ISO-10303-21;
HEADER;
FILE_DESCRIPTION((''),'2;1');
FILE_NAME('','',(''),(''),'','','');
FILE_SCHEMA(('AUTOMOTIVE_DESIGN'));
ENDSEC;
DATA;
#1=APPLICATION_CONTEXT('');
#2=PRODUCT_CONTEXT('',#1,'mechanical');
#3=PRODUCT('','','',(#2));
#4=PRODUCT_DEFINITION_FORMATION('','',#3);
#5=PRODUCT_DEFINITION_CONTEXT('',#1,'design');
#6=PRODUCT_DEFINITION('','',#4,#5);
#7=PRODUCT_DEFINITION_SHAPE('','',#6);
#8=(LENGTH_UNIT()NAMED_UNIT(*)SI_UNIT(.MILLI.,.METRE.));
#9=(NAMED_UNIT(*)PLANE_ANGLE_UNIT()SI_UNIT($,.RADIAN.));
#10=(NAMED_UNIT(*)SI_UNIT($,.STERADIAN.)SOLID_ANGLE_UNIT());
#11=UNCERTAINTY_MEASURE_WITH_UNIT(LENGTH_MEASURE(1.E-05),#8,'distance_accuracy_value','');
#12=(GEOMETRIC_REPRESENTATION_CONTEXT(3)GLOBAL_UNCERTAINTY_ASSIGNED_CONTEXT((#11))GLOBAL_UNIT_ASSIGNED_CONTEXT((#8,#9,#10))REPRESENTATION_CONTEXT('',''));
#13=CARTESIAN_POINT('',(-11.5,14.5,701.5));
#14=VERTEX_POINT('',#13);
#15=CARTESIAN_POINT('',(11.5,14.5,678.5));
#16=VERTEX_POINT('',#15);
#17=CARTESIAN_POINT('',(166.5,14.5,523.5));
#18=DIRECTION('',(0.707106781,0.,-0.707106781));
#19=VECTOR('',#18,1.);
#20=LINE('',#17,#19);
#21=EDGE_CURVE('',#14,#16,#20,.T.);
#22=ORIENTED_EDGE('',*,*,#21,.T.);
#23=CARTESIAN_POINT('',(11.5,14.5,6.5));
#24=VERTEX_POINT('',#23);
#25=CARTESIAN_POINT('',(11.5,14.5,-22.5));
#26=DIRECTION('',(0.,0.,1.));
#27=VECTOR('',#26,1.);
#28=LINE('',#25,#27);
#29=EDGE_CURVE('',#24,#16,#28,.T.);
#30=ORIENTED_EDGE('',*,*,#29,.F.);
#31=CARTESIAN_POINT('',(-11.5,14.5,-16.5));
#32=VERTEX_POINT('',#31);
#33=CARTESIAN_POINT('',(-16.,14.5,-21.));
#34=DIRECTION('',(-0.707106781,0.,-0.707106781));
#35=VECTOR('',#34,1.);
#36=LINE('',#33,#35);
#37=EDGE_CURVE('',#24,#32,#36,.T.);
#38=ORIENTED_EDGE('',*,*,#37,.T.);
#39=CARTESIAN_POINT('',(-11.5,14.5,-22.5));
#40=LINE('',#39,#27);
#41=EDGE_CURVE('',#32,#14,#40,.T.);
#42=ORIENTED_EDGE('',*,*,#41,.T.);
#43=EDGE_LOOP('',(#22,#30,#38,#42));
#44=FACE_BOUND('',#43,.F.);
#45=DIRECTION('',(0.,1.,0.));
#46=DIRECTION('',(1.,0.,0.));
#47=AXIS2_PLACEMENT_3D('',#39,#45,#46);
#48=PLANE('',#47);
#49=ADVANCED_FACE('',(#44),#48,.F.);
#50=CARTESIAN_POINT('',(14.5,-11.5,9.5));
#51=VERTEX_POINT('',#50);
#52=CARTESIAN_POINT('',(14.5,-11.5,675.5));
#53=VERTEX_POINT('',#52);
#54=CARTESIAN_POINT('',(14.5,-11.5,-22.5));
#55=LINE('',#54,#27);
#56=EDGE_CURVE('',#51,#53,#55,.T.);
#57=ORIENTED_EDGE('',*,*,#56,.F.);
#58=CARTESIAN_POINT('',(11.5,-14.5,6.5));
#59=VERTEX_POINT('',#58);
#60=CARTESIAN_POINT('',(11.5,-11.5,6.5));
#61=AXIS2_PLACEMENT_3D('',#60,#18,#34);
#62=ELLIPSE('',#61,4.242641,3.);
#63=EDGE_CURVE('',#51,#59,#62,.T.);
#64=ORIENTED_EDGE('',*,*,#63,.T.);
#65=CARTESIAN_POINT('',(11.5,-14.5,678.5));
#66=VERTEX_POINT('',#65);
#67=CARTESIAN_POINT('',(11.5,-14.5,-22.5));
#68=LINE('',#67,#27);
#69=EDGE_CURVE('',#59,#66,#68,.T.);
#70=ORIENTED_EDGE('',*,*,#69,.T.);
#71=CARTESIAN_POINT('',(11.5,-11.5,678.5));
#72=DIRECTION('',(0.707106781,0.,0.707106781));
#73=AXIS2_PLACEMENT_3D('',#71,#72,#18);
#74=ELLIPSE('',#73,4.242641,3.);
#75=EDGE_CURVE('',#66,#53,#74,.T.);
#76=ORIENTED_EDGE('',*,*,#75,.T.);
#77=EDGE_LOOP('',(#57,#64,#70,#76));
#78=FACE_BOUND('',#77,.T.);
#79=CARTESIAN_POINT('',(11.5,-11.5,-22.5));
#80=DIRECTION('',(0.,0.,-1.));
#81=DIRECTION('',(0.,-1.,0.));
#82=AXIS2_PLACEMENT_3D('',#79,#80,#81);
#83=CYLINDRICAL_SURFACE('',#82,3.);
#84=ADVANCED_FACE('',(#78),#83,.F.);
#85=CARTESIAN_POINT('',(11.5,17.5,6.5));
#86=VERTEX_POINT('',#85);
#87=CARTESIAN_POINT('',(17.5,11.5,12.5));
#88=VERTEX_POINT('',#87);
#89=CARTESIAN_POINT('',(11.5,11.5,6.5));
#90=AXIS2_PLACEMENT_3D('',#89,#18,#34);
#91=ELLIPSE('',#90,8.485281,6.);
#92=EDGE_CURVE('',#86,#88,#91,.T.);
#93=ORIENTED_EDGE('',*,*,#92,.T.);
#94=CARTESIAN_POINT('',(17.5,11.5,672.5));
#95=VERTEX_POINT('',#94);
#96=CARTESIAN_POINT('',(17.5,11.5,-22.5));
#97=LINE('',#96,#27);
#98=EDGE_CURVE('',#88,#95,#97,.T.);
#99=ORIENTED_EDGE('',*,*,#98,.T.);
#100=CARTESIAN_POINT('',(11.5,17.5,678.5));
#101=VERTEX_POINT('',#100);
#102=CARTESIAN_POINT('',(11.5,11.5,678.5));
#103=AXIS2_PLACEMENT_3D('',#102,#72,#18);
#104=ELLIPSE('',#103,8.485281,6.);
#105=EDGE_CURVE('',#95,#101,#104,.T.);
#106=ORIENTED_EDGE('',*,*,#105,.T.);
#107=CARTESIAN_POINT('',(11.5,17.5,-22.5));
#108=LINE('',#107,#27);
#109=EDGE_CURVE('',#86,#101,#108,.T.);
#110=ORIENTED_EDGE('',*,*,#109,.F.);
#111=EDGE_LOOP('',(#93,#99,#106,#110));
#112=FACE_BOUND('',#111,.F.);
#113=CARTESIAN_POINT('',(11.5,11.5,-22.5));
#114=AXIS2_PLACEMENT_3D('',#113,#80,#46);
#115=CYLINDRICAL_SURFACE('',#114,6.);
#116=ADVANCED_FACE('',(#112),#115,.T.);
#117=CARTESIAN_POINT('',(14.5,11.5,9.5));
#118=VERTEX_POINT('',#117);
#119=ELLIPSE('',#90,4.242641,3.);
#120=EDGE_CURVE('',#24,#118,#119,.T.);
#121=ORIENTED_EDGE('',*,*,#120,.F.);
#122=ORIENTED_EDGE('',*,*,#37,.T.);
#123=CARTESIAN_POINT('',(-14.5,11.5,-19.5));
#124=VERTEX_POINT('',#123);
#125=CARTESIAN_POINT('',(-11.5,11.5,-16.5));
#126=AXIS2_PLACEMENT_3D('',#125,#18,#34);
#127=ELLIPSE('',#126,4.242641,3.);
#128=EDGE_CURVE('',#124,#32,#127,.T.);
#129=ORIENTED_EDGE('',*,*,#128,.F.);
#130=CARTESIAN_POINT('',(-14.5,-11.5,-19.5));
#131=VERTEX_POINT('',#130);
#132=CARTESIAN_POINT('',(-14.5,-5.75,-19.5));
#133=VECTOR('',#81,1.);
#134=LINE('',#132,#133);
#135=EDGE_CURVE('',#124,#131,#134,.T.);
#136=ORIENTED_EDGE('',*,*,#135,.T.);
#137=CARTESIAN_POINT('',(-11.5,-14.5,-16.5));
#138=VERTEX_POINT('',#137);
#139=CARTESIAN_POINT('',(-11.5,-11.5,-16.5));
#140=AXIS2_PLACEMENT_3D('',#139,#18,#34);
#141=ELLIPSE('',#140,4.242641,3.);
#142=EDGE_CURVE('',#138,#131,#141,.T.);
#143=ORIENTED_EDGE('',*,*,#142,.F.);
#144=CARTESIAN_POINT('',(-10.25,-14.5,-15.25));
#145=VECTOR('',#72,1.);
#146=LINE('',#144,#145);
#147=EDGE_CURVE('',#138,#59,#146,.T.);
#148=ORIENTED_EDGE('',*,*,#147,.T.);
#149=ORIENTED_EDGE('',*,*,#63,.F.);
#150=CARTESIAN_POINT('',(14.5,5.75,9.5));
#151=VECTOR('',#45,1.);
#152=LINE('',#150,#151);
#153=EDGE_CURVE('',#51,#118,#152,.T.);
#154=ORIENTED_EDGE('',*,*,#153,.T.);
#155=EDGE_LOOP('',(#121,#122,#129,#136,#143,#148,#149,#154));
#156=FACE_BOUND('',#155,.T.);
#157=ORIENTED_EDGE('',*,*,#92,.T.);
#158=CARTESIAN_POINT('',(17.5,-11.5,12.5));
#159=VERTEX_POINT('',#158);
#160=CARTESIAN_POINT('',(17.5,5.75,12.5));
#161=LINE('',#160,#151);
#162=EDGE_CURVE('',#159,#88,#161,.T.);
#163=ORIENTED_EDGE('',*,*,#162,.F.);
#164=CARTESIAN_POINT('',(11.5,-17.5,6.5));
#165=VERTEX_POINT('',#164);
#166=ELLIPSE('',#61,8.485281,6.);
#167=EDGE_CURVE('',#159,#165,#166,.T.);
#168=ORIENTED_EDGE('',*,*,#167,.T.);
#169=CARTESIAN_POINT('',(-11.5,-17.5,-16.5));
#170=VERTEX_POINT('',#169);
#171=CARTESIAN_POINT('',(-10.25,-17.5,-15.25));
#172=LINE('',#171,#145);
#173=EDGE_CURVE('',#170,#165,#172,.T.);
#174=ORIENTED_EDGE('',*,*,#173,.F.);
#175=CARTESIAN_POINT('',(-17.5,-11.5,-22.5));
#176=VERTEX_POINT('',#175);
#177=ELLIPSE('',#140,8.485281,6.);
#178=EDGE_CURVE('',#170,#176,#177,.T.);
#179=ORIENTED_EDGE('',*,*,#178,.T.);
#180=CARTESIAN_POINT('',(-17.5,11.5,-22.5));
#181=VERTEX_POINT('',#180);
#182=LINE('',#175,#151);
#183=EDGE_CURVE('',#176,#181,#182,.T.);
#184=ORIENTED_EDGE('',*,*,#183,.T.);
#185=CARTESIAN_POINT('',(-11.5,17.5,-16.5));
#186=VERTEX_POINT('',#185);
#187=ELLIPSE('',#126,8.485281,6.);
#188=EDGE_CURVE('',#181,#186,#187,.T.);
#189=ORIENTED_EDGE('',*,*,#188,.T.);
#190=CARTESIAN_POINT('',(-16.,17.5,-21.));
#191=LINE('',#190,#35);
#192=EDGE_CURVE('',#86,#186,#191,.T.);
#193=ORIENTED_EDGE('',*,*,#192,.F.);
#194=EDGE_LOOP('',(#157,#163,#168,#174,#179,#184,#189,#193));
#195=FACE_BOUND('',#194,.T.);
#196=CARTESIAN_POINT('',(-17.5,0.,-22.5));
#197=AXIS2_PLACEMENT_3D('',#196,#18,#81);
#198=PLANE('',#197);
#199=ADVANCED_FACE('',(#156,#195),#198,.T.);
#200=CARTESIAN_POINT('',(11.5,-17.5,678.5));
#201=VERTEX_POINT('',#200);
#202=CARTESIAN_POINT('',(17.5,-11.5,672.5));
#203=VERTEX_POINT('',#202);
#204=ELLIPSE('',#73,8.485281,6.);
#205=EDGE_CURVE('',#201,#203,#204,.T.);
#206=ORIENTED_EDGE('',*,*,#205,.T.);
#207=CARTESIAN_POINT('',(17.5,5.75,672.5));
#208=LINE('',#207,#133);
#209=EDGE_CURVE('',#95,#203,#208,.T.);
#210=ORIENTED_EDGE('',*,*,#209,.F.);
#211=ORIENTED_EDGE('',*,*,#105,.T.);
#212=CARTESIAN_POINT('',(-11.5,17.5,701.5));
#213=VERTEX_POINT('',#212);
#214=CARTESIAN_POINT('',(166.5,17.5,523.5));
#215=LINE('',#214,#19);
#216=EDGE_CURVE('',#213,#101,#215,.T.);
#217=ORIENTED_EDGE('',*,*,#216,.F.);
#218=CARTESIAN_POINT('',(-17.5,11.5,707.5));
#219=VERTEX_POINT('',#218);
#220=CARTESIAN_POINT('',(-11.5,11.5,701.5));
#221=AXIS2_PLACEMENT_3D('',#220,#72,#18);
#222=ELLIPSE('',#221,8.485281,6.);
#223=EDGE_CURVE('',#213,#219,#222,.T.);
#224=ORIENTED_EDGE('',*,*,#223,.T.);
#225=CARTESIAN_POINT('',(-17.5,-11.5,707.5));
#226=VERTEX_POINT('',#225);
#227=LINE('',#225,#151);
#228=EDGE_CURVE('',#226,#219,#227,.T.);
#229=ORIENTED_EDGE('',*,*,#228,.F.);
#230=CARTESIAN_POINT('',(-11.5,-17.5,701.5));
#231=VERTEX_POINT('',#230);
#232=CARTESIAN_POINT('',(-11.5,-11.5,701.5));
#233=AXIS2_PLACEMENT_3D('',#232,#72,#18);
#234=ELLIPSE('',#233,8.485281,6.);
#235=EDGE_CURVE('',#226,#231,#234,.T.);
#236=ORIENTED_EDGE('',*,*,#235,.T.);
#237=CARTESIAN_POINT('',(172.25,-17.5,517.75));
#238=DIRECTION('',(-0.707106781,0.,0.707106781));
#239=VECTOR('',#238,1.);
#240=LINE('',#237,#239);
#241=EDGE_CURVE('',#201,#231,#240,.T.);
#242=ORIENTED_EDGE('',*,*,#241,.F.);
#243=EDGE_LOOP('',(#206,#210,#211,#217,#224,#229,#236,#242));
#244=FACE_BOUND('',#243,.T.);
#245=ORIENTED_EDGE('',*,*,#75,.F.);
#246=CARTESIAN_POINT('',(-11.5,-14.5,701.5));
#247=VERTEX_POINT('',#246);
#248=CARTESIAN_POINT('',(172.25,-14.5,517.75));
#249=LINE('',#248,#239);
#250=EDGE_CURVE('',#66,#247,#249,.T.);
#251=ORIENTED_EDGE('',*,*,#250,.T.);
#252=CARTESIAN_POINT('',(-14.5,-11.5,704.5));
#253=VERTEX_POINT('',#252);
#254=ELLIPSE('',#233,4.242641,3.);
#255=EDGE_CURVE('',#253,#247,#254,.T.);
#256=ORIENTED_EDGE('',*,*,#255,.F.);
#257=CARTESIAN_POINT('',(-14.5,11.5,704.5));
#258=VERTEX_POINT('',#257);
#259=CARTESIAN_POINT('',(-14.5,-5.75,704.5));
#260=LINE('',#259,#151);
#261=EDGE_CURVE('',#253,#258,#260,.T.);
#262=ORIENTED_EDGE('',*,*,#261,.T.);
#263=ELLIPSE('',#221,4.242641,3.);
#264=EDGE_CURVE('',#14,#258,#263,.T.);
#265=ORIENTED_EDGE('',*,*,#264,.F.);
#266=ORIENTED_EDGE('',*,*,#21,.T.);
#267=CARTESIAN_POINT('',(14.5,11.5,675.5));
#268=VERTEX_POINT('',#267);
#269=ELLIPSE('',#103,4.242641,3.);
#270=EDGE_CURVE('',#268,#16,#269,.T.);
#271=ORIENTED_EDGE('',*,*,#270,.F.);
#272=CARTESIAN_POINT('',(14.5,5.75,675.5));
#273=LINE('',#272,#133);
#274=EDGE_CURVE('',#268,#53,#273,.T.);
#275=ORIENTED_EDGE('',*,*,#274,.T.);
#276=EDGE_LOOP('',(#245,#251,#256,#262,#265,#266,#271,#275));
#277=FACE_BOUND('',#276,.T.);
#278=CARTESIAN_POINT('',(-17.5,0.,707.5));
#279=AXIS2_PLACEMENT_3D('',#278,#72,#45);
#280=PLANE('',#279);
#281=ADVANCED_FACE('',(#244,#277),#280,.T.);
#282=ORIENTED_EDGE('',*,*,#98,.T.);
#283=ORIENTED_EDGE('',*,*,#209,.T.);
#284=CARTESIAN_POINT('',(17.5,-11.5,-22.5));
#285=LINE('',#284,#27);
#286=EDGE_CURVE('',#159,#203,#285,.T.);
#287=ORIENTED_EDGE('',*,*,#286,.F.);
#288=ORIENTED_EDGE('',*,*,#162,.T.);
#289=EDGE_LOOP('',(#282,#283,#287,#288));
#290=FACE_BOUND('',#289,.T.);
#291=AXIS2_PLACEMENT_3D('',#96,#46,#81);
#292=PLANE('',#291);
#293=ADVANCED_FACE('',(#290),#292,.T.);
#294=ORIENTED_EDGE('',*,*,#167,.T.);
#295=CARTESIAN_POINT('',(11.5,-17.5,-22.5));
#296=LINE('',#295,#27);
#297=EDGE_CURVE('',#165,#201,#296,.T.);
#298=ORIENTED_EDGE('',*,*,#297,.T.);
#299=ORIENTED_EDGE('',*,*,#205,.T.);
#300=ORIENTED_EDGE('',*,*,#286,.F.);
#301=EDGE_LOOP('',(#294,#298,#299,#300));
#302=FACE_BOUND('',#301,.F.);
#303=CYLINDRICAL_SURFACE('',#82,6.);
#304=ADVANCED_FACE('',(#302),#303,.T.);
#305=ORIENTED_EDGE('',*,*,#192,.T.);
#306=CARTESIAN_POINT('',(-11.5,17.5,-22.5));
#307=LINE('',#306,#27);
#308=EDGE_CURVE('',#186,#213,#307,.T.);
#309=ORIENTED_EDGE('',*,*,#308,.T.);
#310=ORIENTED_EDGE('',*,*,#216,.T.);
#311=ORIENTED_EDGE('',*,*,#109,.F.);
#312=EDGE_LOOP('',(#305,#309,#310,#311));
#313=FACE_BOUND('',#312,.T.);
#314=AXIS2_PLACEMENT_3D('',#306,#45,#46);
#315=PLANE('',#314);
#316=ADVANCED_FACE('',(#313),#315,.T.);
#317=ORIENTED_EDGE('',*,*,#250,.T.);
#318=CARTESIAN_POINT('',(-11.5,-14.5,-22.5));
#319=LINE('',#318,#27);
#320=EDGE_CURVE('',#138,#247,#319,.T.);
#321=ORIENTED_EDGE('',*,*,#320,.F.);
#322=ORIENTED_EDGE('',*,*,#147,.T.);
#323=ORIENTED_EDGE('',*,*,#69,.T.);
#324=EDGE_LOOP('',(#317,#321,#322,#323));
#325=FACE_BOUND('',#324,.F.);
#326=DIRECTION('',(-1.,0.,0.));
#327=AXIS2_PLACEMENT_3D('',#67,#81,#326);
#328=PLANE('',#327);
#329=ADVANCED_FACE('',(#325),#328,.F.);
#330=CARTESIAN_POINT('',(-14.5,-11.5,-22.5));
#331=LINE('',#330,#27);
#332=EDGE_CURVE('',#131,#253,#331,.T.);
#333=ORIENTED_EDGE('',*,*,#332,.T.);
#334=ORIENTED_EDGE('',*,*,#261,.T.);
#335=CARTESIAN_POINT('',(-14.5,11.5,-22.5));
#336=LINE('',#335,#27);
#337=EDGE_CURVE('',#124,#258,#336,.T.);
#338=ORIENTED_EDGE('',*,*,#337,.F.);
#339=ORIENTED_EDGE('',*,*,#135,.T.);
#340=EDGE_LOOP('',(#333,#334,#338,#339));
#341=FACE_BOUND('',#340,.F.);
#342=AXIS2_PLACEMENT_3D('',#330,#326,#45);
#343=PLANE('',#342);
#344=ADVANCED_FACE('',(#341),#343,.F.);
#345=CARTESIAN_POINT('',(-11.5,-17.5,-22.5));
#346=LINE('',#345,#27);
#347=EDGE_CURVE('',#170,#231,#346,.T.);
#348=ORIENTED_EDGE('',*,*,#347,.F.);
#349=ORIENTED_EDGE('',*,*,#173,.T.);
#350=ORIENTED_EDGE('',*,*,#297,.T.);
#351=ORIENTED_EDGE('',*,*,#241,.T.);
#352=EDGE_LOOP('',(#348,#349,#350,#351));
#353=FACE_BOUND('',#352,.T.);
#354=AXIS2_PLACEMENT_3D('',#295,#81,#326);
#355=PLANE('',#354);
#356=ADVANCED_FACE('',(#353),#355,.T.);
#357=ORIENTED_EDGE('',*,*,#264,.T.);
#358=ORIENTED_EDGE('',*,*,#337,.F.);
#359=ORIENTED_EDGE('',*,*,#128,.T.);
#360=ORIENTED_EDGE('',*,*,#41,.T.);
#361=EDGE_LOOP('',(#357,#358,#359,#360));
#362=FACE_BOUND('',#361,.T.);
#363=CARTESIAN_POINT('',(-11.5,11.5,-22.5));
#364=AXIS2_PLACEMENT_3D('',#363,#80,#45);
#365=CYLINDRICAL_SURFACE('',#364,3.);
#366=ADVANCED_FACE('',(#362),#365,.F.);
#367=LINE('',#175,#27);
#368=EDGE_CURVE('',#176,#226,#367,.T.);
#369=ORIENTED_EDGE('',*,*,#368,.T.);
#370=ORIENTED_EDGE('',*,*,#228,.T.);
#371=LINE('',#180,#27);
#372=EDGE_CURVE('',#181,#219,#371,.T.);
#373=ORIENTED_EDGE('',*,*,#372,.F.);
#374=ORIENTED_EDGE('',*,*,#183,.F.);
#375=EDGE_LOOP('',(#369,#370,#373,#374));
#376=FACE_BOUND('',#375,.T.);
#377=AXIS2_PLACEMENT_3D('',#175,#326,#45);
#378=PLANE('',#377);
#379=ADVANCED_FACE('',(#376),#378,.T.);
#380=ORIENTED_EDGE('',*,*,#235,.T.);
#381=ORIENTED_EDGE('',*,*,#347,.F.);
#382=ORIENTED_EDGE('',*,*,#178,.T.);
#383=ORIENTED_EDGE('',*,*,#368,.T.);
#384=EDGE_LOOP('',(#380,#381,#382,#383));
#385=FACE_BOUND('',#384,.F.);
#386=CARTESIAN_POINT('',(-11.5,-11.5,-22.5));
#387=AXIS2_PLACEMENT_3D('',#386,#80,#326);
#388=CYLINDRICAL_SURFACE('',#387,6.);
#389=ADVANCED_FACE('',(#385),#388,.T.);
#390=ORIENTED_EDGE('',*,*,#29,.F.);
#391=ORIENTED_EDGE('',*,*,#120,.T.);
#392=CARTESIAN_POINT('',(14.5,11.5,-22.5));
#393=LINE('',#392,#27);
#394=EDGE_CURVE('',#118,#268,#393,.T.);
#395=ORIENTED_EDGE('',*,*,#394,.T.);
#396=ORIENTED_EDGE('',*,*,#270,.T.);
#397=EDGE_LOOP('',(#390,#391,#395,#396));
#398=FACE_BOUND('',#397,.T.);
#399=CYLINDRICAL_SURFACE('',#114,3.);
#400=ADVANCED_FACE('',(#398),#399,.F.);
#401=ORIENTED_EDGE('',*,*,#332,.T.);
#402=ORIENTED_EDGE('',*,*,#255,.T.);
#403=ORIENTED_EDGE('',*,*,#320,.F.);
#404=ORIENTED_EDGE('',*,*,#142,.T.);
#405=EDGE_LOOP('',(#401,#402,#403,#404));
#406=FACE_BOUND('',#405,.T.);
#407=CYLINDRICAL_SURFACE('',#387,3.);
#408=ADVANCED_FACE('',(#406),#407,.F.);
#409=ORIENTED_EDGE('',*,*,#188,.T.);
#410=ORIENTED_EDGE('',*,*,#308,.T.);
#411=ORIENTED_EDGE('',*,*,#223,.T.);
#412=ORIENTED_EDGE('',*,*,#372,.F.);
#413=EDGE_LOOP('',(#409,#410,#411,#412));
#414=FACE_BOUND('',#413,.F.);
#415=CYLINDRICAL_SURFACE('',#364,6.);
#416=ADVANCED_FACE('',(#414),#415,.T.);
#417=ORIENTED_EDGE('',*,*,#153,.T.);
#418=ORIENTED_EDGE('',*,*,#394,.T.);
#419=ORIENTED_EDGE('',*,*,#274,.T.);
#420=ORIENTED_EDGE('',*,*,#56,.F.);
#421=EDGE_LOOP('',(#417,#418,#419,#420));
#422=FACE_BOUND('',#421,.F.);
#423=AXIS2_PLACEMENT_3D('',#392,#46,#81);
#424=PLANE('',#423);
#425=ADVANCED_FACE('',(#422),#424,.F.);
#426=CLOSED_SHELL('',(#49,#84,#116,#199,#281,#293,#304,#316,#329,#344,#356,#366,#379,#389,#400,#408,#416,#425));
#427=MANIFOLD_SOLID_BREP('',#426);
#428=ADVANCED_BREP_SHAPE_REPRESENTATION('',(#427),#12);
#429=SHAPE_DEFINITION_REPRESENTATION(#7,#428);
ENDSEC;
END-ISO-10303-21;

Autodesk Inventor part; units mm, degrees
ref_plane "Start plane" through (0, 0, -22.5) normal (0, 0, 1) x (1, 0, 0)
ref_plane "End plane" through (0, 0, 707.5) normal (0, 0, 1) x (1, 0, 0)
sketch "Sketch" plane through (0, 0, 0) normal (0, 0, 1) x (1, 0, 0)
  line L0 (-17.5, -11.5) -> (-17.5, 11.5)
  line L1 (-11.5, 17.5) -> (11.5, 17.5)
  line L2 (17.5, 11.5) -> (17.5, -11.5)
  line L3 (11.5, -17.5) -> (-11.5, -17.5)
  arc A0 (-17.5, -11.5) -> (-11.5, -17.5) centre (-11.5, -11.5) ccw
  arc A1 (-11.5, 17.5) -> (-17.5, 11.5) centre (-11.5, 11.5) ccw
  arc A2 (17.5, 11.5) -> (11.5, 17.5) centre (11.5, 11.5) ccw
  arc A3 (11.5, -17.5) -> (17.5, -11.5) centre (11.5, -11.5) ccw
  arc A4 (-11.5, 14.5) -> (-14.5, 11.5) centre (-11.5, 11.5) ccw
  line L4 (-11.5, 14.5) -> (11.5, 14.5)
  arc A5 (14.5, 11.5) -> (11.5, 14.5) centre (11.5, 11.5) ccw
  line L5 (14.5, 11.5) -> (14.5, -11.5)
  arc A6 (11.5, -14.5) -> (14.5, -11.5) centre (11.5, -11.5) ccw
  line L6 (11.5, -14.5) -> (-11.5, -14.5)
  arc A7 (-14.5, -11.5) -> (-11.5, -14.5) centre (-11.5, -11.5) ccw
  line L7 (-14.5, -11.5) -> (-14.5, 11.5)
  line L8 (0, 25.6598) -> (0, -25.6598) construction
  line L9 (-25.6598, 0) -> (25.6598, 0) construction
  dimension "d7" = 6
  dimension "d10" = 35
  dimension "d11" = 35
  dimension "d12" = 3
  dimension "d15" = 17.5
  dimension "d16" = 17.5
extrude "Body" add sketch "Sketch" along normal up to surface (730 mm away) from surface at -22.5
sketch "Sketch3" plane through (0, 0, 0) normal (0, 0, 1) x (1, 0, 0)
  line L0 (0, 0) -> (10, 0)
ref_plane "Work Plane3" through (0, 0, 0) normal (0, -1, 0) x (1, 0, 0)
sketch "Sketch4" plane through (0, 0, 0) normal (0, -1, 0) x (1, 0, 0)
  line L0 (-2, -22.5) -> (12, -22.5)
  line L1 (-2, 707.5) -> (12, 707.5)
  dimension "d18" = 730
ref_plane "Work Plane8" through (-17.5, 0, -22.5) normal (0.7071, 0, -0.7071) x (-0.7071, 0, -0.7071)
split "Split5" plane through (-17.5, 0, -22.5) removes the side toward (0.7071, 0, -0.7071)
ref_plane "Work Plane9" through (-17.5, 0, 707.5) normal (0.7071, 0, 0.7071) x (0.7071, 0, -0.7071)
split "Split6" plane through (-17.5, 0, 707.5) removes the side toward (0.7071, 0, 0.7071)
equation "\"d7\" = G_IR"
equation "\"d10\" = G_H"
equation "\"d11\" = G_W"
equation "\"d12\" = G_T"
equation "\"d15\" = 0.5 * d10"
equation "\"d16\" = 0.5 * d11"
equation "\"d3\" = G_L"
equation "\"G_W\" = 35"
equation "\"G_H\" = 35"
equation "\"G_T\" = 3"
equation "\"G_IR\" = 6"
equation "\"G_L\" = 730"
equation "\"G_OFFSET_START\" = 22.5"
equation "\"G_OFFSET_END\" = 22.5"
equation "\"d13\" = -G_OFFSET_START"
equation "\"d14\" = G_OFFSET_END + B_L"
equation "\"B_L\" = 685"
properties part number "AS 1163 - C350L0 35x35x3.0 SHS - 730" material "Steel, Mild"
